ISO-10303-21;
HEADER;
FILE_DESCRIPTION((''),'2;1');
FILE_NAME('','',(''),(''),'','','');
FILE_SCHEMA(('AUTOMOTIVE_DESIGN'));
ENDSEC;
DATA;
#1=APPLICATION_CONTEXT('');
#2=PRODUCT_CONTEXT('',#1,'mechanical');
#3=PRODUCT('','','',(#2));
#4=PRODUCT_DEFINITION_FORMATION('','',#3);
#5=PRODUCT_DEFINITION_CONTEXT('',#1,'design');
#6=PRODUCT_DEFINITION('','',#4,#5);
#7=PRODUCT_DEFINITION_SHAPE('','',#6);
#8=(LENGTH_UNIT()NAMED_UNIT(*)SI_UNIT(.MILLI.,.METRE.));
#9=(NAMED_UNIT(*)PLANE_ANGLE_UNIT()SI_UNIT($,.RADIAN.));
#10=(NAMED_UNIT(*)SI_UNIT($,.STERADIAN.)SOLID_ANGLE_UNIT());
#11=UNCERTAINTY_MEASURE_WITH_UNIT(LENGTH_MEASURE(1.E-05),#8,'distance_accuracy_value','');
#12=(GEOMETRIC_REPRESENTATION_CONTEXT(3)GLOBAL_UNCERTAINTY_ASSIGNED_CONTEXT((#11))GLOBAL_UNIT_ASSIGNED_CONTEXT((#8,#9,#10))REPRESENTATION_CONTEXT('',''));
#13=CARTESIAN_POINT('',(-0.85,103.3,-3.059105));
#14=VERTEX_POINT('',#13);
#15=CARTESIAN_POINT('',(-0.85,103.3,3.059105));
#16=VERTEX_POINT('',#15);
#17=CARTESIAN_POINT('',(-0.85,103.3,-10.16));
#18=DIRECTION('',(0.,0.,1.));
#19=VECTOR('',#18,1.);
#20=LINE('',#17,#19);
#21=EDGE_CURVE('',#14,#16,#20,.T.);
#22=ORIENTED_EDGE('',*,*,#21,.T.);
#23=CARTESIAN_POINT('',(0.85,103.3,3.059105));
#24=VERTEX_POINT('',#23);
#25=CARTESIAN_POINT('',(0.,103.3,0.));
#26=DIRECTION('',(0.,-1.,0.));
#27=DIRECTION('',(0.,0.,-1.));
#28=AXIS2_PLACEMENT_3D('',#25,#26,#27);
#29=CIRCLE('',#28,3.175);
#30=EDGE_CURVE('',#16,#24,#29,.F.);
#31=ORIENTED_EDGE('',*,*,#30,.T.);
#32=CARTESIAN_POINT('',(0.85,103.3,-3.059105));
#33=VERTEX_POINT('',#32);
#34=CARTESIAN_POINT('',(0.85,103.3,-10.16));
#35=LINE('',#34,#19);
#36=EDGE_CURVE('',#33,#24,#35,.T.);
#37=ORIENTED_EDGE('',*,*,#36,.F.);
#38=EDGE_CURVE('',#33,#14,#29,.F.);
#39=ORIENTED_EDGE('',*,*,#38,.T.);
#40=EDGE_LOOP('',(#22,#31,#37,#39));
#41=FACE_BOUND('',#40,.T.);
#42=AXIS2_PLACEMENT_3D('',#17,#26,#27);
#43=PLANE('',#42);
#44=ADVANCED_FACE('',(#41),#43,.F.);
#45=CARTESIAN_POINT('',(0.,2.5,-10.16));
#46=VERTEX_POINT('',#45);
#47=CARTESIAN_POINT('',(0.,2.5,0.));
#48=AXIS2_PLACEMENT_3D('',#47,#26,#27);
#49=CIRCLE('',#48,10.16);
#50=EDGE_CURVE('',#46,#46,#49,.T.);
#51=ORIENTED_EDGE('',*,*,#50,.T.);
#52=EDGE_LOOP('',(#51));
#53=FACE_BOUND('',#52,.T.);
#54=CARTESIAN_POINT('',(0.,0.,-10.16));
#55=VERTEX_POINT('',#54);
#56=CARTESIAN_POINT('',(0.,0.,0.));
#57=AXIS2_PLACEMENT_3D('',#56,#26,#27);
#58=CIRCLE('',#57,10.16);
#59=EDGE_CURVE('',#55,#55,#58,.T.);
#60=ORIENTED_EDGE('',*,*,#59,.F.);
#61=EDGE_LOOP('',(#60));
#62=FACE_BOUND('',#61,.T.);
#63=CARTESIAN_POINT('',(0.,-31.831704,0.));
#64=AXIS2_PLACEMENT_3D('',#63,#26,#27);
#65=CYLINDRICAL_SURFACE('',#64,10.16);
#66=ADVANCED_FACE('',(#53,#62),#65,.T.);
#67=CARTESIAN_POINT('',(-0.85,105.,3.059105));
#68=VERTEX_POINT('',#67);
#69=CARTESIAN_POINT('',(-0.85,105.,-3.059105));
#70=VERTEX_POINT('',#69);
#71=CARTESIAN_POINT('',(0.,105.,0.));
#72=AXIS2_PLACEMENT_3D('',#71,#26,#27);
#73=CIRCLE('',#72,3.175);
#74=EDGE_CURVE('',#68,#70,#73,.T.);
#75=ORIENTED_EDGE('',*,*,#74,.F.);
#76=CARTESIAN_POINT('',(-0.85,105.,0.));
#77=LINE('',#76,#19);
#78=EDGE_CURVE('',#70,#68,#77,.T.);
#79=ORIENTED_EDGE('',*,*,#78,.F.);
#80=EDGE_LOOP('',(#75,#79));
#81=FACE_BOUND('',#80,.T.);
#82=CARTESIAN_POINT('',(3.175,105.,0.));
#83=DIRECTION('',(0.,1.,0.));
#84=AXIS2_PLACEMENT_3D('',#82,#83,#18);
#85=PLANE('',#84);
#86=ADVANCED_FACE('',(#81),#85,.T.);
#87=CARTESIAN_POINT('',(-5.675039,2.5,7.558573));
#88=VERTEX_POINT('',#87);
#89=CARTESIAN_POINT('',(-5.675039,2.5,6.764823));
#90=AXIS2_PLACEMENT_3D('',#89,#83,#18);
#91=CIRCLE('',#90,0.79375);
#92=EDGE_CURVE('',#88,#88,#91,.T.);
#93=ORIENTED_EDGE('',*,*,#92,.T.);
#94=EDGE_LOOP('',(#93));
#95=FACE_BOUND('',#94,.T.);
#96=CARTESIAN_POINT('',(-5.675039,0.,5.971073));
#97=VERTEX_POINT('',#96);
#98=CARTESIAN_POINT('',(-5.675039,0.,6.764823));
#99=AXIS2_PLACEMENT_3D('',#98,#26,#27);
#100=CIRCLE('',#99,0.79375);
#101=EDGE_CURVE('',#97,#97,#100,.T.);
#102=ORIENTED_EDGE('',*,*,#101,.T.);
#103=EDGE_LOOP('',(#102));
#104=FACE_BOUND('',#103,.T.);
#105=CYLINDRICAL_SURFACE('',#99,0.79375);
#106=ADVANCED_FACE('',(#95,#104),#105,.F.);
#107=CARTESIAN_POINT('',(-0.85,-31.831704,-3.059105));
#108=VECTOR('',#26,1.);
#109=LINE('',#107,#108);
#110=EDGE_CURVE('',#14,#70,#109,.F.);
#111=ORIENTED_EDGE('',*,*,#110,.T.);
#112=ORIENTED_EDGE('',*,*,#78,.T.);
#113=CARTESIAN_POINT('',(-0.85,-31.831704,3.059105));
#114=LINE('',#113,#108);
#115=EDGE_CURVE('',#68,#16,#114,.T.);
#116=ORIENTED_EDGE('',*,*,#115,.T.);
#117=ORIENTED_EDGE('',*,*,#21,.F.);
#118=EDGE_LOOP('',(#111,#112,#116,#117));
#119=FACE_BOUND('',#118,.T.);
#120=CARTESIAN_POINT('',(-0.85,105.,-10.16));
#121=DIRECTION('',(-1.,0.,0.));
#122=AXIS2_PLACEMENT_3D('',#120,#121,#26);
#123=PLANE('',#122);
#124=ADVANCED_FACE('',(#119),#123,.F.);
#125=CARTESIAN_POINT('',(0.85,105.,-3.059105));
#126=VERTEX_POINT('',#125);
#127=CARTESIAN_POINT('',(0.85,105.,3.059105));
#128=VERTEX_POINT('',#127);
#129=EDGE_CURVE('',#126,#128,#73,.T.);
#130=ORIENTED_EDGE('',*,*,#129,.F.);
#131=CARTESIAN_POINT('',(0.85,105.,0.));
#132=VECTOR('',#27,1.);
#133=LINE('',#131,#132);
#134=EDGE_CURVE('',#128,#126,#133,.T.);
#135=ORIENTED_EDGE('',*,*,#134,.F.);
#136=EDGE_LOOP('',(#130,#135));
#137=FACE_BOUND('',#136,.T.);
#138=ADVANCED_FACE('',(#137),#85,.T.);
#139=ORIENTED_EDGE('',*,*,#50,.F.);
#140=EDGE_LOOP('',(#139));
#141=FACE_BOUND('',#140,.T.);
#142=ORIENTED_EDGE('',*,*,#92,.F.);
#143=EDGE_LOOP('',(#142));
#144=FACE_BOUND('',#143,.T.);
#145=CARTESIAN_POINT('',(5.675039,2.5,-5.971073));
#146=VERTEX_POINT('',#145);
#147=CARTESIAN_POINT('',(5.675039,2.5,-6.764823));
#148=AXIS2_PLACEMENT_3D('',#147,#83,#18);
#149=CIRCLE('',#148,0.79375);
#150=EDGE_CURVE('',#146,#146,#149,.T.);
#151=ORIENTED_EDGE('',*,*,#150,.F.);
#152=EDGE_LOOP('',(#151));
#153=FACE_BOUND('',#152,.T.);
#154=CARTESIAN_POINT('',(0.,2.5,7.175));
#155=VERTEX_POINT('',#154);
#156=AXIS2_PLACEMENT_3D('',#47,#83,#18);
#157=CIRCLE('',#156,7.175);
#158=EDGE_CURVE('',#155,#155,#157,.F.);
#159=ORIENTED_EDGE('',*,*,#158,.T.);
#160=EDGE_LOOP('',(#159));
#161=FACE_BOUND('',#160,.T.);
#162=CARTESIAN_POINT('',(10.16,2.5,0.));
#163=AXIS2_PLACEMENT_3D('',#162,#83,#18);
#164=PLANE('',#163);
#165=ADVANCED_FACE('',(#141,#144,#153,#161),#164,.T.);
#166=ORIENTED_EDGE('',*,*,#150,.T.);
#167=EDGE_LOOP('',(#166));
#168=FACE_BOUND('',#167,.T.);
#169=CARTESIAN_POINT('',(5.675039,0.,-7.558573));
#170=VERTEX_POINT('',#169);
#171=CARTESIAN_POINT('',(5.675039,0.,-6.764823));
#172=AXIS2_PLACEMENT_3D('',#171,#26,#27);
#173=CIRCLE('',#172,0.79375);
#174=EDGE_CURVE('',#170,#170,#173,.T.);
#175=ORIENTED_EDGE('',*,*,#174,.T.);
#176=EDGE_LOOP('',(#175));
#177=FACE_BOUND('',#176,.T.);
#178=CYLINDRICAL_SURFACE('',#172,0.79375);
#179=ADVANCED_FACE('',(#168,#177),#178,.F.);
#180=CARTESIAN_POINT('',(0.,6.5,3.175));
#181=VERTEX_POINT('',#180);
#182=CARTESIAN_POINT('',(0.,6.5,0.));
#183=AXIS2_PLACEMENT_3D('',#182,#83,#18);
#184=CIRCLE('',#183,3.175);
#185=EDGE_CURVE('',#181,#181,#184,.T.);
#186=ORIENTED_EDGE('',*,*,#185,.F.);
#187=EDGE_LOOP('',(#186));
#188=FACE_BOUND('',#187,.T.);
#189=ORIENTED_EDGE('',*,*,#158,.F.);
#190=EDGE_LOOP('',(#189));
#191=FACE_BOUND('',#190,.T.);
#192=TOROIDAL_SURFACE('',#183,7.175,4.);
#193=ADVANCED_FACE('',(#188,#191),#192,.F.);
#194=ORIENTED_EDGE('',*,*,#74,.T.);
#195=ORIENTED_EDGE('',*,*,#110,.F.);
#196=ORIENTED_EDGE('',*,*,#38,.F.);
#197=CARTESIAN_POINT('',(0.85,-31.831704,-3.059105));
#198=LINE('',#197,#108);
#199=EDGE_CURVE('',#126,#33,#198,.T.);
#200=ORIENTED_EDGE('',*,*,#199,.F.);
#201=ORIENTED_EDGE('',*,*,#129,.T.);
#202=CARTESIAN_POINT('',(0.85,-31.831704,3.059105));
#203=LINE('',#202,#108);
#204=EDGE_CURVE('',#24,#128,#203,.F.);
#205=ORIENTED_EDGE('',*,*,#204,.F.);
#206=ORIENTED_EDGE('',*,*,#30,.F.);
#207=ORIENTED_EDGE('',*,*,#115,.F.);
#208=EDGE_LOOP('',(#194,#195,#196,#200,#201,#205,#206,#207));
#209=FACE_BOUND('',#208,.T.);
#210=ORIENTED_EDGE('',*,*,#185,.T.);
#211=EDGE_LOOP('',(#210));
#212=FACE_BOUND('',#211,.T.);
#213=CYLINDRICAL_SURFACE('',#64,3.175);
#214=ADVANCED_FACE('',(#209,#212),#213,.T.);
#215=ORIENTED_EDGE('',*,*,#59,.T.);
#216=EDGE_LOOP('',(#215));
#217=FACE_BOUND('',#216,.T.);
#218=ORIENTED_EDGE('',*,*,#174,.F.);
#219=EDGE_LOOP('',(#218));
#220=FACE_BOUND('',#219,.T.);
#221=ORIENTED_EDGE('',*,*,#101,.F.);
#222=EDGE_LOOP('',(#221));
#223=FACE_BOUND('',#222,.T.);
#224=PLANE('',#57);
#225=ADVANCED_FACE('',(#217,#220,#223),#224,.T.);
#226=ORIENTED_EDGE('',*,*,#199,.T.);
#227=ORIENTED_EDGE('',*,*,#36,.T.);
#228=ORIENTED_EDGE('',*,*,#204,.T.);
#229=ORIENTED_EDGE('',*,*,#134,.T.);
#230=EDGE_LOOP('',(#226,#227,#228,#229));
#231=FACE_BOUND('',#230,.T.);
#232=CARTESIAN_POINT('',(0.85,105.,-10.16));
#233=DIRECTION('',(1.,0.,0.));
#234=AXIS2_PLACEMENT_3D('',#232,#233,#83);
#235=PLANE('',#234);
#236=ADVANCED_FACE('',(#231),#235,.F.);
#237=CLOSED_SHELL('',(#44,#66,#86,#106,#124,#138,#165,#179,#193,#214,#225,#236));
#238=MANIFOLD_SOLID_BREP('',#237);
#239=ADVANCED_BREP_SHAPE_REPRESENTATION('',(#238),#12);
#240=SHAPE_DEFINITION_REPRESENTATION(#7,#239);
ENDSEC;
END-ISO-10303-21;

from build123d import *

# Parameters (mm, degrees)
FILLET1_R                       = 4
CUT_EXTRUDE3_DEPTH              = 106.978541224
CUT_EXTRUDE3_DEPTH_BACK         = 106.978541224
SKETCH4_W                       = 1.7
SKETCH4_H                       = 1.7
F_1_16_0_0625_DOWEL_HOLE1_D     = 1.5875
F_1_16_0_0625_DOWEL_HOLE1_DEPTH = 6
F_1_16_0_0625_DOWEL_HOLE1_TIP   = 0.476933116


with BuildPart() as part:
    # Sketch1 → Revolve1 (revolve)
    with BuildSketch(Plane.XY, mode=Mode.PRIVATE) as revolve1_sk:
        Polygon((0, 0), (10.16, 0), (10.16, 2.5), (3.175, 2.5), (3.175, 105), (0, 105), align=None)
    revolve(revolve1_sk.sketch.rotate(Axis((0, -31.831703756, 0), (0, 1, 0)), 90), axis=Axis((0, -31.831703756, 0), (0, 1, 0)))

    # Fillet1
    fillet1_edges = [part.edges().sort_by_distance(p)[0] for p in [
        (0, 2.5, 3.175),
    ]]
    fillet(fillet1_edges, radius=FILLET1_R)

    # Sketch4 → Cut-Extrude3 (cut, two sides: drawn at the far end of the back side and taken through both)
    with BuildSketch(Plane.XY.offset(-CUT_EXTRUDE3_DEPTH_BACK)):
        with Locations((0, 104.15)):
            Rectangle(SKETCH4_W, SKETCH4_H)
    extrude(amount=CUT_EXTRUDE3_DEPTH + CUT_EXTRUDE3_DEPTH_BACK, mode=Mode.SUBTRACT)

    # 1/16 (0.0625) Dowel Hole1
    with Locations(Plane(origin=(0, 0, 0), x_dir=(-1, 0, 0), z_dir=(0, -1, 0))):
        with Locations((5.675039265, -6.764822935), (-5.675039265, 6.764822935)):
            Hole(F_1_16_0_0625_DOWEL_HOLE1_D / 2, depth=F_1_16_0_0625_DOWEL_HOLE1_DEPTH)
            with Locations((0, 0, -(F_1_16_0_0625_DOWEL_HOLE1_DEPTH + F_1_16_0_0625_DOWEL_HOLE1_TIP / 2))):  # 118° drill point
                Cone(0, F_1_16_0_0625_DOWEL_HOLE1_D / 2, F_1_16_0_0625_DOWEL_HOLE1_TIP, mode=Mode.SUBTRACT)


solid = part.part
